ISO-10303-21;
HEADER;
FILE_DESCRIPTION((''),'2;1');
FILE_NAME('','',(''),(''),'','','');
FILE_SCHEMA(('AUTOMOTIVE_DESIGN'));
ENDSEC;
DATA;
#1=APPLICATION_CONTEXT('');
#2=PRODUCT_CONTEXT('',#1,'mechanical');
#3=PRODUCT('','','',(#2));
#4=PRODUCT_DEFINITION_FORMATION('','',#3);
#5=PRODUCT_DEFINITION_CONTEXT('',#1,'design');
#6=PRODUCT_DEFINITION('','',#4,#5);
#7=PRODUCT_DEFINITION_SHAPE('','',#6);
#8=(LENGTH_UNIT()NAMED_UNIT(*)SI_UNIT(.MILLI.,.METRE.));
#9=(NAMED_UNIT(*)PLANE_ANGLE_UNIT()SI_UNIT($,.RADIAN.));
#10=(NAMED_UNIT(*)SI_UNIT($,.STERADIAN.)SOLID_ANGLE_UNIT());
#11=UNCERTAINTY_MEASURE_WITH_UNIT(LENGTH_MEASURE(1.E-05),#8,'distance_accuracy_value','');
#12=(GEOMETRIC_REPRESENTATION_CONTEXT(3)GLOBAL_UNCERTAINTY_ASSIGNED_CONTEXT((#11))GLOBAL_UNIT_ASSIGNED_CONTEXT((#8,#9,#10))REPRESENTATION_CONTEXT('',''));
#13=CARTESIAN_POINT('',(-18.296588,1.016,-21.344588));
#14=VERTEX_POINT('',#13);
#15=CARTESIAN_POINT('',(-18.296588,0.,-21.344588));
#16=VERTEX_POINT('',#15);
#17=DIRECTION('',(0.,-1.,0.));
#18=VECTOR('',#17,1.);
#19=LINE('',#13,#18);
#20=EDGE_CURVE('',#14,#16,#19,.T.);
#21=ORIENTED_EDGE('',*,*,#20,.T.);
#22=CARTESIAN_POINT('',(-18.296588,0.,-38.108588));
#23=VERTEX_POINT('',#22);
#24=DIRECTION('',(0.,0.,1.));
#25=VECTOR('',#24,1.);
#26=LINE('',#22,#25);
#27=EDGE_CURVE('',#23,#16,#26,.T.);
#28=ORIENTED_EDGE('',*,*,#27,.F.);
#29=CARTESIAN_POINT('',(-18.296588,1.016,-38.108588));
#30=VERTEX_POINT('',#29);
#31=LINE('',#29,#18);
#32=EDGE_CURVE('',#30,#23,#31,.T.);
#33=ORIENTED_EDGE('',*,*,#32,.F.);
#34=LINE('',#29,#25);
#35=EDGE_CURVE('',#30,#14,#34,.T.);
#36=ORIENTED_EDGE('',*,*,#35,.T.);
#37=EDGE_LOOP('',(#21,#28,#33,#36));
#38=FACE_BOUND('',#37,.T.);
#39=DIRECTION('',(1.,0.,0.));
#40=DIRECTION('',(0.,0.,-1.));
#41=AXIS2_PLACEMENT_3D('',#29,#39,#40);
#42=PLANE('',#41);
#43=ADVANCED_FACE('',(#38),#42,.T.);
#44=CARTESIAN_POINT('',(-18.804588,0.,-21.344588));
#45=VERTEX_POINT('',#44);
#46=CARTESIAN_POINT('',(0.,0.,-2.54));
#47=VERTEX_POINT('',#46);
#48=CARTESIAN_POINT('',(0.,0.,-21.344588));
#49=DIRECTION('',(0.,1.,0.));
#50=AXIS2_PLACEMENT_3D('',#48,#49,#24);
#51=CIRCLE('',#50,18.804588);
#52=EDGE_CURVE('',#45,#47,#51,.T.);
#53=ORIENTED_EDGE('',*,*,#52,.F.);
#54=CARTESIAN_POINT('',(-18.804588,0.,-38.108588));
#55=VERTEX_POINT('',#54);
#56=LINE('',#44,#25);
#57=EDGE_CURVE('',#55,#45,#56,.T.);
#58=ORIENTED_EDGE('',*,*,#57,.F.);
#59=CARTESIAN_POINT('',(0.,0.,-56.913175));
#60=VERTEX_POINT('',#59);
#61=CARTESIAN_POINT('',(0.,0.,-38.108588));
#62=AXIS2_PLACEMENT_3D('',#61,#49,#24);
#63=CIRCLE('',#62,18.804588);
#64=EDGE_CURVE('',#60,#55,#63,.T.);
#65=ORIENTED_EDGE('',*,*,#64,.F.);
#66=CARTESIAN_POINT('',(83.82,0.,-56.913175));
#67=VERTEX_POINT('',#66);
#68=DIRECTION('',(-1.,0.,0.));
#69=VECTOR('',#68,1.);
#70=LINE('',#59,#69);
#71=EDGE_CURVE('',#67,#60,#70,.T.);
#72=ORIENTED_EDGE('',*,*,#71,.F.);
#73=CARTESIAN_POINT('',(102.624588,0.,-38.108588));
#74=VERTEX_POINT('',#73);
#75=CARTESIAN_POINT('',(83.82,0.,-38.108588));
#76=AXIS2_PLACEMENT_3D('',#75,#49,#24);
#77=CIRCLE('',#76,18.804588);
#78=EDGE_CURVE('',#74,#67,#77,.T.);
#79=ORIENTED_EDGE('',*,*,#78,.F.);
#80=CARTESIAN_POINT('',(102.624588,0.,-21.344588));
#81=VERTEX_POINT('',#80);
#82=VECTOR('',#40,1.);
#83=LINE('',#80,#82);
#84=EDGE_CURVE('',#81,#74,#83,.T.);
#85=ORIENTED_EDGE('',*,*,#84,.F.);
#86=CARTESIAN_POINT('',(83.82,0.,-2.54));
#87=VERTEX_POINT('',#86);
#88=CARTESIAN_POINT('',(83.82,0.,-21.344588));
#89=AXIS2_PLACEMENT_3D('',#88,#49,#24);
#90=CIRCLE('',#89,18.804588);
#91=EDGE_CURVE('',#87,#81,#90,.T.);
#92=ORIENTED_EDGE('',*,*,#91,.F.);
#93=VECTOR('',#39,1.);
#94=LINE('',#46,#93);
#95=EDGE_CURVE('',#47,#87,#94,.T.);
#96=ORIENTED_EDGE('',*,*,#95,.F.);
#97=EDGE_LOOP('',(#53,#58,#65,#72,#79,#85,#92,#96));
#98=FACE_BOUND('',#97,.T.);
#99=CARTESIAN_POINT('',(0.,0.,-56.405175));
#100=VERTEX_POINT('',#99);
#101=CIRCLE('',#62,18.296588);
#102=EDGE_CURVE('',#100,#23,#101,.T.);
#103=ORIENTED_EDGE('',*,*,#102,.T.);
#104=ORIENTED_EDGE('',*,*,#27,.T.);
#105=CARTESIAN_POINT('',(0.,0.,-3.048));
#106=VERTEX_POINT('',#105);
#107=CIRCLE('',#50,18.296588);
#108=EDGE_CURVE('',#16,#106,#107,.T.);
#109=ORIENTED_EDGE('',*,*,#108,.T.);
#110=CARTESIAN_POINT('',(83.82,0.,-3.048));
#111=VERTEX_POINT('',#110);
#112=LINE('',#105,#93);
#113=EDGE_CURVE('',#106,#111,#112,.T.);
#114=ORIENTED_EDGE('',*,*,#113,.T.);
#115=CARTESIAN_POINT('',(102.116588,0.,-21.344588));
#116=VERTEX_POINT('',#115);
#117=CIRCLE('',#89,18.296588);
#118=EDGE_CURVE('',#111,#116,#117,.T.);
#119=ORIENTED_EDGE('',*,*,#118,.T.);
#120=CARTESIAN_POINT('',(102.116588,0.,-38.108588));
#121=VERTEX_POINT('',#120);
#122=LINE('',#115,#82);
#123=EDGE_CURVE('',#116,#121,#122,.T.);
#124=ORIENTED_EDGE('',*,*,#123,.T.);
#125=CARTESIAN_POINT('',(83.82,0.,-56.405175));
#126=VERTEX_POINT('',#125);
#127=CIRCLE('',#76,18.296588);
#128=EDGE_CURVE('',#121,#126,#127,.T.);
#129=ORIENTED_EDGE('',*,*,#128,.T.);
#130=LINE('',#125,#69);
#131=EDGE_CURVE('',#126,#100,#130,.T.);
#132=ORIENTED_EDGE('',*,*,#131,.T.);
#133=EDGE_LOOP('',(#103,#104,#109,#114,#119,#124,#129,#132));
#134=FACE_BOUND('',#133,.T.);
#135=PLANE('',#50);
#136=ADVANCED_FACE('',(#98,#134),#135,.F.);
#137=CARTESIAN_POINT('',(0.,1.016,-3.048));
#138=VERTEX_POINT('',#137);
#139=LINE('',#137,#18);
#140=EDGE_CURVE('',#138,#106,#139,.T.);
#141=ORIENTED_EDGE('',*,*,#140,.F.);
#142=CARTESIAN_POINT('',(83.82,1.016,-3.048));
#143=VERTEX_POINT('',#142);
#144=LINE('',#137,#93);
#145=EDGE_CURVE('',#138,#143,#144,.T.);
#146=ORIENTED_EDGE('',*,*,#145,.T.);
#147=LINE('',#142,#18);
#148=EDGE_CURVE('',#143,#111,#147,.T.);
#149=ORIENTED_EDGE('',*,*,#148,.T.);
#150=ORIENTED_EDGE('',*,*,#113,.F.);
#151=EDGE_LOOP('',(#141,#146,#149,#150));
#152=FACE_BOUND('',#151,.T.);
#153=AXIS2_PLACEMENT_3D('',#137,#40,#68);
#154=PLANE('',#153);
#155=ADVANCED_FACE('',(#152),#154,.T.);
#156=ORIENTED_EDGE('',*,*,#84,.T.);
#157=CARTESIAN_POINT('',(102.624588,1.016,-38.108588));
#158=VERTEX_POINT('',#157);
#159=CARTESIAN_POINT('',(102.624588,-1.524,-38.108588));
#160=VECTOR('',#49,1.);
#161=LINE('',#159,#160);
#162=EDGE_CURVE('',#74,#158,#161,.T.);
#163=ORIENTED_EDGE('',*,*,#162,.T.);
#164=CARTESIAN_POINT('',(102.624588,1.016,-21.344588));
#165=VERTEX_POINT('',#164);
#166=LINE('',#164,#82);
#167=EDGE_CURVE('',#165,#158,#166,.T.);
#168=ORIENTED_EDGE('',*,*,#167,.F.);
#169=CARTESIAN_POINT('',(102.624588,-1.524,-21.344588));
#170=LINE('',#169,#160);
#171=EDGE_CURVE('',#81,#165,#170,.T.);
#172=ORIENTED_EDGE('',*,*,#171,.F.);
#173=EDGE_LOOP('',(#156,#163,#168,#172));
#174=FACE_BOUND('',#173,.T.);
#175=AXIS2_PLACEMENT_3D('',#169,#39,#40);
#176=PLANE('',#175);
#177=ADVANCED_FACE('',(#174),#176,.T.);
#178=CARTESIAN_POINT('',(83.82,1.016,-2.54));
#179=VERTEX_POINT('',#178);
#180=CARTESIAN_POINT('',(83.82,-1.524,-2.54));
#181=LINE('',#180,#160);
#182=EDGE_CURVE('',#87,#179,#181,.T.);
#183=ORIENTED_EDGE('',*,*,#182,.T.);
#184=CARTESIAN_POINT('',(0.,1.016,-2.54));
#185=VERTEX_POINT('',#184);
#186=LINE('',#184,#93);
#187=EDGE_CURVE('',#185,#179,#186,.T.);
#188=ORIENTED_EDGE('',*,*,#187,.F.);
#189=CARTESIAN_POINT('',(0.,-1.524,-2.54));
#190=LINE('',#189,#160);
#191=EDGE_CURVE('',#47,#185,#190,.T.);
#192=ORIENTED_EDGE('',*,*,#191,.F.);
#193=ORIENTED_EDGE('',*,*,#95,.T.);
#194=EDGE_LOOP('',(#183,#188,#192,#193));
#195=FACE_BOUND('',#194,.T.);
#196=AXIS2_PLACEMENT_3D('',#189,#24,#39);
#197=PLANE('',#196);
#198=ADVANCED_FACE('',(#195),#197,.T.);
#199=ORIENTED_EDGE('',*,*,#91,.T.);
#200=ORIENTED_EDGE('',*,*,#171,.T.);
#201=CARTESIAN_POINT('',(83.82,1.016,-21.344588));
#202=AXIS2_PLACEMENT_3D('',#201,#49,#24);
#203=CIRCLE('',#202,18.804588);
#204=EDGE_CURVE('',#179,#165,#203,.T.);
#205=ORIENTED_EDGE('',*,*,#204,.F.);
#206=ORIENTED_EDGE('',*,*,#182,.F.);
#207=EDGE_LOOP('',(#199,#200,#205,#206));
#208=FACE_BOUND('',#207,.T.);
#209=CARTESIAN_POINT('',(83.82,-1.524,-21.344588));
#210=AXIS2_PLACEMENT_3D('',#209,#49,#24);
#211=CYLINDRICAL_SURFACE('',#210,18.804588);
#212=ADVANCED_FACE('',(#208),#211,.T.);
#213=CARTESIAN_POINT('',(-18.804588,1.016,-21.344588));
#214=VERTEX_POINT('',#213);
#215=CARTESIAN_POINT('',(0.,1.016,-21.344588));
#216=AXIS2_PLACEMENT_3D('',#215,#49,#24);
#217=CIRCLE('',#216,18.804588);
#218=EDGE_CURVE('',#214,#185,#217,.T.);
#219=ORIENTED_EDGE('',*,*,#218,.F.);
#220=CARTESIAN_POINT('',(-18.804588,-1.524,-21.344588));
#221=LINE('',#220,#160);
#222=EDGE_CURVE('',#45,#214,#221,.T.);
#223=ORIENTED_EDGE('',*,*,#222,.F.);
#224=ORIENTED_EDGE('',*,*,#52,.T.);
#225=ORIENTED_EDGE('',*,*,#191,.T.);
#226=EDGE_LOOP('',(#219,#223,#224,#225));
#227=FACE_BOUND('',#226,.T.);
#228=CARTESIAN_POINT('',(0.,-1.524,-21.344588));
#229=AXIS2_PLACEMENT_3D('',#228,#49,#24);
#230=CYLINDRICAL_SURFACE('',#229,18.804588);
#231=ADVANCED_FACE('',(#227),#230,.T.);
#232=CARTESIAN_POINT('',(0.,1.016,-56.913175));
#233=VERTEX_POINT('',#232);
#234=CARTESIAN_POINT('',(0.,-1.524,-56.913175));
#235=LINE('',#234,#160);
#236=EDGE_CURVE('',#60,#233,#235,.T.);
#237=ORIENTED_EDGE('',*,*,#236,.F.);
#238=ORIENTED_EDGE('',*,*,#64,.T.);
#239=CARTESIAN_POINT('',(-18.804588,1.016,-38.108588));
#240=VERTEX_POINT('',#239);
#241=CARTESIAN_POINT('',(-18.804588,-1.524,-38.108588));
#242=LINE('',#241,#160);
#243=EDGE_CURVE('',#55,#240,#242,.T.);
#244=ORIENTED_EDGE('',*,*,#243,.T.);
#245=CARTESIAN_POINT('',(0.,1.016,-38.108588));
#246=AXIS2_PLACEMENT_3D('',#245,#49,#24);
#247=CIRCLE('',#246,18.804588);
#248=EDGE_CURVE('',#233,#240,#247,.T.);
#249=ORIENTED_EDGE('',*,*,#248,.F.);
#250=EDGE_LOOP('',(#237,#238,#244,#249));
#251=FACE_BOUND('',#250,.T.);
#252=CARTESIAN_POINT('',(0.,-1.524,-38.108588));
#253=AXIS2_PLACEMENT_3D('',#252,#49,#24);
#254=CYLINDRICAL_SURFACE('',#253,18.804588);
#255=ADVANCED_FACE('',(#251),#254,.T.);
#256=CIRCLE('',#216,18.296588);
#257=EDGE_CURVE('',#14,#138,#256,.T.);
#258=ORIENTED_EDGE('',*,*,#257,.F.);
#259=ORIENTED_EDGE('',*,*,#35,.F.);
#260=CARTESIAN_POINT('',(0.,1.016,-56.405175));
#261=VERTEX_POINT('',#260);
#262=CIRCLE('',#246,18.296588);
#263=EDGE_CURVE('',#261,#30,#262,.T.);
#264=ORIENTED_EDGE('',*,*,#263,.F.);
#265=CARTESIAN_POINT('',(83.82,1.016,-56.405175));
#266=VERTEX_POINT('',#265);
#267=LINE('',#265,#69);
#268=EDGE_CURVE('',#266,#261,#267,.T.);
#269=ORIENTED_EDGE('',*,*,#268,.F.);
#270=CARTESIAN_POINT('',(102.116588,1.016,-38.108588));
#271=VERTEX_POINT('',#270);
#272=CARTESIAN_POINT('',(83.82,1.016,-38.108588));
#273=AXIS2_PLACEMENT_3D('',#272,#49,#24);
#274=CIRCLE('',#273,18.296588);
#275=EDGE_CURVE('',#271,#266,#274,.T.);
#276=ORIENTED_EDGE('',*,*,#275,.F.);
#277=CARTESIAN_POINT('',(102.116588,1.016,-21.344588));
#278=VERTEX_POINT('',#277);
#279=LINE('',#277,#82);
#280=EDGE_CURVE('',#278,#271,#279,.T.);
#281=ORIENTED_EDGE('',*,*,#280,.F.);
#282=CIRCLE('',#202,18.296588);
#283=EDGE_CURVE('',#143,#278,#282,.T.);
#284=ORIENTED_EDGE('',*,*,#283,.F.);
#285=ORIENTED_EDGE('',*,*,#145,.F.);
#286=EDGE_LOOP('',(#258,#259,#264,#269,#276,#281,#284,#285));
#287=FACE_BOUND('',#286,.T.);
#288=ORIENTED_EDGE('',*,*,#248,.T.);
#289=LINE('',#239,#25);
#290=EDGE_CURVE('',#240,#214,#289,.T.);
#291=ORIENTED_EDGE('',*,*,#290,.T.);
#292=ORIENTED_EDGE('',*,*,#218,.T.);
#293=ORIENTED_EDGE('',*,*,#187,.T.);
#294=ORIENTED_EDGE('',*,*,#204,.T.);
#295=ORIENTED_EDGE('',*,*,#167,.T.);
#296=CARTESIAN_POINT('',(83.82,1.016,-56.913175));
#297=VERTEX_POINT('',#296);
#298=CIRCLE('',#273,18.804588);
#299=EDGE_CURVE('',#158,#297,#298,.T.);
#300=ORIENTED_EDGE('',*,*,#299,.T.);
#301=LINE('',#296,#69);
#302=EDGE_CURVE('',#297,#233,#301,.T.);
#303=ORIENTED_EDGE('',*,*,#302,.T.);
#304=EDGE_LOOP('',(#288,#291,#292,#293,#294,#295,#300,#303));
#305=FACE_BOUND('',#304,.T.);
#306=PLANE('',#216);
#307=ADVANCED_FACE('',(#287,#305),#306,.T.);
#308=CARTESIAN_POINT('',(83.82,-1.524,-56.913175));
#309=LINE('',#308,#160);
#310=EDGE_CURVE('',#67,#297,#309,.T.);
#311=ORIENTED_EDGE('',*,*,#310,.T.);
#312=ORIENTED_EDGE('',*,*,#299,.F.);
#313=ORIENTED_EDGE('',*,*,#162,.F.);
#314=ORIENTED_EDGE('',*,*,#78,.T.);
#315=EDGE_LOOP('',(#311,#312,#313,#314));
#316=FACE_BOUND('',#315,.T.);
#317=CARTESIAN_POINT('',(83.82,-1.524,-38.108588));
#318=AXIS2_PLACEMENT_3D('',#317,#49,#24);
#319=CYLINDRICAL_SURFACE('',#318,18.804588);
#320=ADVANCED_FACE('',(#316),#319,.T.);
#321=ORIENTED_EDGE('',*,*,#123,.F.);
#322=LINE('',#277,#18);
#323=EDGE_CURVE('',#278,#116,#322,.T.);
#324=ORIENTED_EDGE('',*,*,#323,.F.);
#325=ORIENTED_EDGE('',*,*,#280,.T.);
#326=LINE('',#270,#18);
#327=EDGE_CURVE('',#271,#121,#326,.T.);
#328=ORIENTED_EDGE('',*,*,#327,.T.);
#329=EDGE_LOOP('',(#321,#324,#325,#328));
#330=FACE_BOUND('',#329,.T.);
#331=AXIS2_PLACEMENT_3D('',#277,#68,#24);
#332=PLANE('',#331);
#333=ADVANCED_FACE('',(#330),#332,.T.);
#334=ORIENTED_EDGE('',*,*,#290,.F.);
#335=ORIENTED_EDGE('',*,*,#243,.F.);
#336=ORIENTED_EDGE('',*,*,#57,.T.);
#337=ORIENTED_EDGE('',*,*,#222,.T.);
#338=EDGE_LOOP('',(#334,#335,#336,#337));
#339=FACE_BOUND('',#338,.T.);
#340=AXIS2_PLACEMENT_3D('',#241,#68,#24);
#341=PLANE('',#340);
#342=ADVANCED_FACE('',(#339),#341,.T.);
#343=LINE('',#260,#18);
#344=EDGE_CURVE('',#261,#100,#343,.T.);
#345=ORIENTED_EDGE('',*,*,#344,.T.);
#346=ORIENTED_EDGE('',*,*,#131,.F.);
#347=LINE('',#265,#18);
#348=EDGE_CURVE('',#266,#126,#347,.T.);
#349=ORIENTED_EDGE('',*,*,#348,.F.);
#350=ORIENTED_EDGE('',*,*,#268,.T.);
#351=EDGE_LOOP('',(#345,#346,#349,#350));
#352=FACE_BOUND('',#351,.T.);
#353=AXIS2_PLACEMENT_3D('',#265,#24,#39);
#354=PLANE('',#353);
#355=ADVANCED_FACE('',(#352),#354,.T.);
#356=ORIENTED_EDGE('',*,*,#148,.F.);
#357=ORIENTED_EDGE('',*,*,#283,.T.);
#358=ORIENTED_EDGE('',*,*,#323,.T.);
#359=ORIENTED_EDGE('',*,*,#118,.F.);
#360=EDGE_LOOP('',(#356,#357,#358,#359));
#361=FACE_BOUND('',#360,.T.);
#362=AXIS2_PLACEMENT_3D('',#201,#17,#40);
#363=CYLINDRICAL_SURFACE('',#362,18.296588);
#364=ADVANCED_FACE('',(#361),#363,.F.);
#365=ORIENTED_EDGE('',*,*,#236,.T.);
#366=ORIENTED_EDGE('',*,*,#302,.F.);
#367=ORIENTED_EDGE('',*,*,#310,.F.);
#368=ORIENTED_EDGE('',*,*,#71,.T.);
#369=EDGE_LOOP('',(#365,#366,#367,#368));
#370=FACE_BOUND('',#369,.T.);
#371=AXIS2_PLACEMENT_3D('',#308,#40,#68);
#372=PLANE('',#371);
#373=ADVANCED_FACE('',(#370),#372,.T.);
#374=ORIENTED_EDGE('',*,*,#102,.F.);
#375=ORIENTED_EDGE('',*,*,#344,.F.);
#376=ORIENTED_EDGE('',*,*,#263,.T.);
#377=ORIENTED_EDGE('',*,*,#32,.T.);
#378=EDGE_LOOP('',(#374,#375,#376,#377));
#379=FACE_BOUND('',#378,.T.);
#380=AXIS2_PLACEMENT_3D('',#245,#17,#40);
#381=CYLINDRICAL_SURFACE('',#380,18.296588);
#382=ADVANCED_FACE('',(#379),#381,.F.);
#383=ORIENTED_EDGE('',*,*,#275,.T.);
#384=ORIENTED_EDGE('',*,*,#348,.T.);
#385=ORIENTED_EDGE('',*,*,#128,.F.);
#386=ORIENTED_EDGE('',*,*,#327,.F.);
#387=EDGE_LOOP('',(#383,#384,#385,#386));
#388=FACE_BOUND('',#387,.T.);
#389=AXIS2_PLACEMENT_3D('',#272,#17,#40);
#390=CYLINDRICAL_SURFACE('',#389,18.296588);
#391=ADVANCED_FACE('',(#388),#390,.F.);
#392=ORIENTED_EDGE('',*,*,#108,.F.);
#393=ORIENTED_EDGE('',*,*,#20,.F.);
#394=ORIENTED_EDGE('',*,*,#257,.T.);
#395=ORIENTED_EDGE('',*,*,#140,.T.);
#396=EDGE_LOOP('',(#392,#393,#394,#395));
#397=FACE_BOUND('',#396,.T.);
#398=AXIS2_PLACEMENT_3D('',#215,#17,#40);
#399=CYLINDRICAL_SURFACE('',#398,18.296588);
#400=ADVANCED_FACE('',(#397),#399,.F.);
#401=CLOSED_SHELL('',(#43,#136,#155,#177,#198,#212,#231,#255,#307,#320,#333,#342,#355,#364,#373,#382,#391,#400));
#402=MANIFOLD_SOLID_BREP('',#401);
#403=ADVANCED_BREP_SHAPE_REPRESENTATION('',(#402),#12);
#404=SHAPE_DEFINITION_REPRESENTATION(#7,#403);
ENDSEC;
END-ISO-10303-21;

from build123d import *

# Parameters (mm, degrees)
BOSS_EXTRUDE1_DEPTH = 1.016
CUT_EXTRUDE7_DEPTH  = 2.54


with BuildPart() as part:
    # Sketch1 → Boss-Extrude1 (new body)
    with BuildSketch(Plane(origin=(0, 0, 0), x_dir=(1, 0, 0), z_dir=(0, 1, 0))):
        with BuildLine():
            Line((0, 0), (83.82, 0))
            ThreePointArc((83.82, 0), (98.912902724, 6.251685004), (105.164587728, 21.344587728))
            Line((105.164587728, 21.344587728), (105.164587728, 38.108587728))
            ThreePointArc((105.164587728, 38.108587728), (98.912902724, 53.201490452), (83.82, 59.453175456))
            Line((83.82, 59.453175456), (0, 59.453175456))
            ThreePointArc((0, 59.453175456), (-15.092902724, 53.201490452), (-21.344587728, 38.108587728))
            Line((-21.344587728, 38.108587728), (-21.344587728, 21.344587728))
            ThreePointArc((-21.344587728, 21.344587728), (-15.092902724, 6.251685004), (0, 0))
        make_face()
        with BuildLine():
            Line((0, 3.048), (83.82, 3.048))
            ThreePointArc((83.82, 3.048), (96.757641255, 8.406946473), (102.116587728, 21.344587728))
            Line((102.116587728, 21.344587728), (102.116587728, 38.108587728))
            ThreePointArc((102.116587728, 38.108587728), (96.757641255, 51.046228983), (83.82, 56.405175456))
            Line((83.82, 56.405175456), (0, 56.405175456))
            ThreePointArc((0, 56.405175456), (-12.937641255, 51.046228983), (-18.296587728, 38.108587728))
            Line((-18.296587728, 38.108587728), (-18.296587728, 21.344587728))
            ThreePointArc((-18.296587728, 21.344587728), (-12.937641255, 8.406946473), (0, 3.048))
        make_face(mode=Mode.SUBTRACT)
    extrude(amount=BOSS_EXTRUDE1_DEPTH)

    # Sketch6 → Cut-Extrude7 (cut)
    with BuildSketch(Plane(origin=(0, 1.016, 0), x_dir=(1, 0, 0), z_dir=(0, 1, 0))):
        with BuildLine():
            Line((0, 0), (83.82, 0))
            ThreePointArc((83.82, 0), (98.912902724, 6.251685004), (105.164587728, 21.344587728))
            Line((105.164587728, 21.344587728), (105.164587728, 38.108587728))
            ThreePointArc((105.164587728, 38.108587728), (98.912902724, 53.201490452), (83.82, 59.453175456))
            Line((83.82, 59.453175456), (0, 59.453175456))
            ThreePointArc((0, 59.453175456), (-15.092902724, 53.201490452), (-21.344587728, 38.108587728))
            Line((-21.344587728, 38.108587728), (-21.344587728, 21.344587728))
            ThreePointArc((-21.344587728, 21.344587728), (-15.092902724, 6.251685004), (0, 0))
        make_face()
        with BuildLine():
            Line((0, 2.54), (83.82, 2.54))
            ThreePointArc((83.82, 2.54), (97.1168515, 8.047736228), (102.624587728, 21.344587728))
            Line((102.624587728, 21.344587728), (102.624587728, 38.108587728))
            ThreePointArc((102.624587728, 38.108587728), (97.1168515, 51.405439228), (83.82, 56.913175456))
            Line((83.82, 56.913175456), (0, 56.913175456))
            ThreePointArc((0, 56.913175456), (-13.2968515, 51.405439228), (-18.804587728, 38.108587728))
            Line((-18.804587728, 38.108587728), (-18.804587728, 21.344587728))
            ThreePointArc((-18.804587728, 21.344587728), (-13.2968515, 8.047736228), (0, 2.54))
        make_face(mode=Mode.SUBTRACT)
    extrude(amount=-CUT_EXTRUDE7_DEPTH, mode=Mode.SUBTRACT)


solid = part.part
